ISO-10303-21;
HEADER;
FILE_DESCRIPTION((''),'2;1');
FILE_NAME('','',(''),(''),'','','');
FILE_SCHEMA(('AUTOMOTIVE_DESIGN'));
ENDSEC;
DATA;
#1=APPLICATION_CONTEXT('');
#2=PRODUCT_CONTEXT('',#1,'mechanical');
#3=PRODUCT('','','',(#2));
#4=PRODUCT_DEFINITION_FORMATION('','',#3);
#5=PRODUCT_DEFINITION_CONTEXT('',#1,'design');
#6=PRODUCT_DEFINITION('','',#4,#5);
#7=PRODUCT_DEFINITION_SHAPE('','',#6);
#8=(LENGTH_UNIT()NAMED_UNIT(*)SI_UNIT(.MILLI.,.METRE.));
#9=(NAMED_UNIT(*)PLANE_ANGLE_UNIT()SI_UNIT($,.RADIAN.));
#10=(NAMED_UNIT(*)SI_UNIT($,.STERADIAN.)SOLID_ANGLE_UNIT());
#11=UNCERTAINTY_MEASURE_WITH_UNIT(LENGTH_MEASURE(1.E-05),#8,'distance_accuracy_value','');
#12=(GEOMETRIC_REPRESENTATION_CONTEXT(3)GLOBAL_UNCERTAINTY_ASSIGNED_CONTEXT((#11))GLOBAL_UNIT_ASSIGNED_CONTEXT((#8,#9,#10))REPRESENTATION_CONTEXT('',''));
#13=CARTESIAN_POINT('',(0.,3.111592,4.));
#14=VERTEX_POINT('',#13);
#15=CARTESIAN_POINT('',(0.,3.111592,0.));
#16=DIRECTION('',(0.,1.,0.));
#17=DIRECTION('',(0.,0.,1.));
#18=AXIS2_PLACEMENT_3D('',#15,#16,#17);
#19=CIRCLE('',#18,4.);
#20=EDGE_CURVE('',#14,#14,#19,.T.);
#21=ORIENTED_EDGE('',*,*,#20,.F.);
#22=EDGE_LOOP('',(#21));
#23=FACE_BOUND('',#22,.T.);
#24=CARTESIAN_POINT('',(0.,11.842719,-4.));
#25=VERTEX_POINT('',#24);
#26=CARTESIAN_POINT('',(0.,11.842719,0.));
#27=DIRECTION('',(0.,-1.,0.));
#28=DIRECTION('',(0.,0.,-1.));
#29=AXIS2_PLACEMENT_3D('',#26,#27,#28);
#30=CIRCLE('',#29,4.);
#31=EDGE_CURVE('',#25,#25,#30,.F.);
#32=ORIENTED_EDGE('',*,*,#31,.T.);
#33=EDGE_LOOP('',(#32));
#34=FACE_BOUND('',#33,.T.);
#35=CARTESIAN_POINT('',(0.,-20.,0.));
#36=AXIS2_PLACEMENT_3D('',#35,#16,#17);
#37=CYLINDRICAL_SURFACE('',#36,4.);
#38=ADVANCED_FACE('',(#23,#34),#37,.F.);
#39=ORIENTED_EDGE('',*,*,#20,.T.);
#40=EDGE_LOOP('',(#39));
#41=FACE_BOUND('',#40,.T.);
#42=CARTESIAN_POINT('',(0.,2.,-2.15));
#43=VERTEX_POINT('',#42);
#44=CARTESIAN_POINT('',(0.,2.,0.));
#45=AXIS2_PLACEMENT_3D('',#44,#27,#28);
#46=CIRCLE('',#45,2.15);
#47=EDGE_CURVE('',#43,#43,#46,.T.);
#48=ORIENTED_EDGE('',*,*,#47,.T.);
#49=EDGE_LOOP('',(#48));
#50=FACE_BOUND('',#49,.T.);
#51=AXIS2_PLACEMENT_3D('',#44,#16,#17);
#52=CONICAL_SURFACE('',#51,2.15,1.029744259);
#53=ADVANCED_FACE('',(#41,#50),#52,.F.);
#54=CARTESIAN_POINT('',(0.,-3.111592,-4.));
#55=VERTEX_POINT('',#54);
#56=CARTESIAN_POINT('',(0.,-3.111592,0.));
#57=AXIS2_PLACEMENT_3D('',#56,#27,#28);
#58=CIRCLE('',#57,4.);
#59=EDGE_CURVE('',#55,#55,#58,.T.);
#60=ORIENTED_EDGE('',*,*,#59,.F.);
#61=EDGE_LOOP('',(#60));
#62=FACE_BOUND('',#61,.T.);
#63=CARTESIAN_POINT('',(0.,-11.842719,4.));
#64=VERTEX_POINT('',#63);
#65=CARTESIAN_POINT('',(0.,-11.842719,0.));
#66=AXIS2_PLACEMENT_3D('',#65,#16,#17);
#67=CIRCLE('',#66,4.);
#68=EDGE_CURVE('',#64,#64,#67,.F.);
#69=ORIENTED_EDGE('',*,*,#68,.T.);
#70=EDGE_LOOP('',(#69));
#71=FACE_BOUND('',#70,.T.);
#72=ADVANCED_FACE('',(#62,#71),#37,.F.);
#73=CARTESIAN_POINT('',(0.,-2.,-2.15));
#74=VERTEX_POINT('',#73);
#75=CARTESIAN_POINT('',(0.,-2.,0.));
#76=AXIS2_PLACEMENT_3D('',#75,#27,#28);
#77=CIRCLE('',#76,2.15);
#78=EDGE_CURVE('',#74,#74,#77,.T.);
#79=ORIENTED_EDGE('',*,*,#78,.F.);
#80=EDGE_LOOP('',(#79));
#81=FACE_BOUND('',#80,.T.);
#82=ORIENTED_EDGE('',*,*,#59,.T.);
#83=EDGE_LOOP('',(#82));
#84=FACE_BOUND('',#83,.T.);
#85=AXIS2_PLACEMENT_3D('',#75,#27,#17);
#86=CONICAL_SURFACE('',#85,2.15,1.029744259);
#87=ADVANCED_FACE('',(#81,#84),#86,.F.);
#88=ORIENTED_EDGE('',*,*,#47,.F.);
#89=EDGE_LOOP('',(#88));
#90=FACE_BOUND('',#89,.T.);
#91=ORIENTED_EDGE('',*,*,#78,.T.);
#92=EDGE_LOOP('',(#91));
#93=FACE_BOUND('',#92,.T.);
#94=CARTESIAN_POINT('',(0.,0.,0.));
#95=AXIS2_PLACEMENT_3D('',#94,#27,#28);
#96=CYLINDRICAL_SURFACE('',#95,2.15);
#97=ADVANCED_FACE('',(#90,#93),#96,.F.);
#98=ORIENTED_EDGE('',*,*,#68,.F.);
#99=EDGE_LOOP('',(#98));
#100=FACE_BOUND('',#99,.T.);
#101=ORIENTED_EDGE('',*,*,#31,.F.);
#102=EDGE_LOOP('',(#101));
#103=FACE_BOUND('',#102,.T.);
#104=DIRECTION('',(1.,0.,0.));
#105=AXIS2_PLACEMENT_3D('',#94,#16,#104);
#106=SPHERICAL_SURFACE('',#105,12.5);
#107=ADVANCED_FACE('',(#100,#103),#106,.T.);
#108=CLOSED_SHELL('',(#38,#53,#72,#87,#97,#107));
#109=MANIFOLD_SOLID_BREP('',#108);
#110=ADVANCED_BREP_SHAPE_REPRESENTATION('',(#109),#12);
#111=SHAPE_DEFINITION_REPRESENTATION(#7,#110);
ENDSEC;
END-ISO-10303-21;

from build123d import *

# Parameters (mm, degrees)
SKIZZE3_R                       = 4
SCHNITT_LINEAR_AUSTRAGEN1_DEPTH = 20


with BuildPart() as part:
    # Skizze1 → Rotation1 (revolve)
    with BuildSketch(Plane.XY):
        with BuildLine():
            Line((0, 12.5), (0, -12.5))
            ThreePointArc((0, -12.5), (-12.5, 0), (0, 12.5))
        make_face()
    revolve(axis=Axis((0, 27.42628623, 0), (0, -1, 0)))

    # Skizze3 → Schnitt-Linear austragen1 (cut, symmetric)
    with BuildSketch(Plane(origin=(0, 0, 0), x_dir=(1, 0, 0), z_dir=(0, 1, 0))):
        Circle(SKIZZE3_R)
    extrude(amount=SCHNITT_LINEAR_AUSTRAGEN1_DEPTH, both=True, mode=Mode.SUBTRACT)

    # Skizze5 → Rotation2 (revolve)
    with BuildSketch(Plane(origin=(0, 0, 0), x_dir=(0, 0, -1), z_dir=(1, 0, 0))):
        Polygon((-2.15, 0), (-2.15, 2), (-5, 3.712452764), (-5, 0), align=None)
    rotation2 = revolve(axis=Axis((0, 0, 0), (0, 1, 0)))

    # Spiegeln1: Rotation2 across plane
    add(rotation2.mirror(Plane.ZX))


solid = part.part
